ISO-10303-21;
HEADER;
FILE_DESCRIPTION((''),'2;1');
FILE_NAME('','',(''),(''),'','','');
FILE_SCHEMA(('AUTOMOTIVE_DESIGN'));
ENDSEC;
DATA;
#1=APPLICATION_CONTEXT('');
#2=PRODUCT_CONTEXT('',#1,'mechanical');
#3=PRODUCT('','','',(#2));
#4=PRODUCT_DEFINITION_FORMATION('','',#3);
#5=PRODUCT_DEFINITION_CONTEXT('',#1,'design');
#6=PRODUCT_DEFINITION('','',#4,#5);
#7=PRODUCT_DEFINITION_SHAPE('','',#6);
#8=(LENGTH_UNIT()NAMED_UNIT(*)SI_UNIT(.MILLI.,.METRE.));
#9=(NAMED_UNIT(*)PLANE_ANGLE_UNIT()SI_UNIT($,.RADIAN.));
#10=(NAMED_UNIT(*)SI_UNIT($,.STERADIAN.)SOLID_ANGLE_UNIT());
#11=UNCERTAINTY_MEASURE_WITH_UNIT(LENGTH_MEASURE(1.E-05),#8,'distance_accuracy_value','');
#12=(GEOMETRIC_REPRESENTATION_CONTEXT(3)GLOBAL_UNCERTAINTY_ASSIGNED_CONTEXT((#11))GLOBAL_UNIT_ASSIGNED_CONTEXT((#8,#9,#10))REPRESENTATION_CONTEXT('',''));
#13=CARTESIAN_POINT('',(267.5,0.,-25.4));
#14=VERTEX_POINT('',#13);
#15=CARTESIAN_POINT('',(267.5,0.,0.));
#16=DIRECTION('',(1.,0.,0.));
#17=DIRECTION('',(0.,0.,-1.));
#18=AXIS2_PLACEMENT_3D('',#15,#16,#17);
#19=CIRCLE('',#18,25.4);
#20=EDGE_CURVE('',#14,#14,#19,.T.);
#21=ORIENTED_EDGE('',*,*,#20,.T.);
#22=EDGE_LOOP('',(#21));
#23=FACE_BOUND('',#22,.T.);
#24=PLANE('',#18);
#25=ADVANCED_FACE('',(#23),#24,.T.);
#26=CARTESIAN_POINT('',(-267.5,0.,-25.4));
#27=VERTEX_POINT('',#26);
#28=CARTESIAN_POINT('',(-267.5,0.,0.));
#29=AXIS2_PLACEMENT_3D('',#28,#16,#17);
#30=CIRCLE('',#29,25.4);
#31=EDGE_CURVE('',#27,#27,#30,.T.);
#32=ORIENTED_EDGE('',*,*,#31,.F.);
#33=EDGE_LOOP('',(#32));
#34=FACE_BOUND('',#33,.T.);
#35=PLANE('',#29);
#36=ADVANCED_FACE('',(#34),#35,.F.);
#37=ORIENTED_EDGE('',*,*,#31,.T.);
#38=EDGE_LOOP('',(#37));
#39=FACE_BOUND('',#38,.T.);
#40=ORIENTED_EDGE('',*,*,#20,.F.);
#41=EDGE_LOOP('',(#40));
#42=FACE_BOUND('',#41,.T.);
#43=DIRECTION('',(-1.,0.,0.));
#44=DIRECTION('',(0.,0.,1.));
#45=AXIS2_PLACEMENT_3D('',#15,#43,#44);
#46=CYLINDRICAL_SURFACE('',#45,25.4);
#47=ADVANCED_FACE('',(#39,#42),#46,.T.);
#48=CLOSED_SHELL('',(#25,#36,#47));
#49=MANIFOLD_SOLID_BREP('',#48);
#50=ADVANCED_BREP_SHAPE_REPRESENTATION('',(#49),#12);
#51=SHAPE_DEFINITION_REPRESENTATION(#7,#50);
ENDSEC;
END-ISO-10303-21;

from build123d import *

# Parameters (mm, degrees)
ESBO_O1_R                = 25.4
RESSALTO_EXTRUS_O1_DEPTH = 267.5


with BuildPart() as part:
    # Esboço1 → Ressalto-extrusão1 (new, symmetric)
    with BuildSketch(Plane(origin=(0, 0, 0), x_dir=(0, 0, -1), z_dir=(1, 0, 0))):
        Circle(ESBO_O1_R)
    extrude(amount=RESSALTO_EXTRUS_O1_DEPTH, both=True)


solid = part.part
